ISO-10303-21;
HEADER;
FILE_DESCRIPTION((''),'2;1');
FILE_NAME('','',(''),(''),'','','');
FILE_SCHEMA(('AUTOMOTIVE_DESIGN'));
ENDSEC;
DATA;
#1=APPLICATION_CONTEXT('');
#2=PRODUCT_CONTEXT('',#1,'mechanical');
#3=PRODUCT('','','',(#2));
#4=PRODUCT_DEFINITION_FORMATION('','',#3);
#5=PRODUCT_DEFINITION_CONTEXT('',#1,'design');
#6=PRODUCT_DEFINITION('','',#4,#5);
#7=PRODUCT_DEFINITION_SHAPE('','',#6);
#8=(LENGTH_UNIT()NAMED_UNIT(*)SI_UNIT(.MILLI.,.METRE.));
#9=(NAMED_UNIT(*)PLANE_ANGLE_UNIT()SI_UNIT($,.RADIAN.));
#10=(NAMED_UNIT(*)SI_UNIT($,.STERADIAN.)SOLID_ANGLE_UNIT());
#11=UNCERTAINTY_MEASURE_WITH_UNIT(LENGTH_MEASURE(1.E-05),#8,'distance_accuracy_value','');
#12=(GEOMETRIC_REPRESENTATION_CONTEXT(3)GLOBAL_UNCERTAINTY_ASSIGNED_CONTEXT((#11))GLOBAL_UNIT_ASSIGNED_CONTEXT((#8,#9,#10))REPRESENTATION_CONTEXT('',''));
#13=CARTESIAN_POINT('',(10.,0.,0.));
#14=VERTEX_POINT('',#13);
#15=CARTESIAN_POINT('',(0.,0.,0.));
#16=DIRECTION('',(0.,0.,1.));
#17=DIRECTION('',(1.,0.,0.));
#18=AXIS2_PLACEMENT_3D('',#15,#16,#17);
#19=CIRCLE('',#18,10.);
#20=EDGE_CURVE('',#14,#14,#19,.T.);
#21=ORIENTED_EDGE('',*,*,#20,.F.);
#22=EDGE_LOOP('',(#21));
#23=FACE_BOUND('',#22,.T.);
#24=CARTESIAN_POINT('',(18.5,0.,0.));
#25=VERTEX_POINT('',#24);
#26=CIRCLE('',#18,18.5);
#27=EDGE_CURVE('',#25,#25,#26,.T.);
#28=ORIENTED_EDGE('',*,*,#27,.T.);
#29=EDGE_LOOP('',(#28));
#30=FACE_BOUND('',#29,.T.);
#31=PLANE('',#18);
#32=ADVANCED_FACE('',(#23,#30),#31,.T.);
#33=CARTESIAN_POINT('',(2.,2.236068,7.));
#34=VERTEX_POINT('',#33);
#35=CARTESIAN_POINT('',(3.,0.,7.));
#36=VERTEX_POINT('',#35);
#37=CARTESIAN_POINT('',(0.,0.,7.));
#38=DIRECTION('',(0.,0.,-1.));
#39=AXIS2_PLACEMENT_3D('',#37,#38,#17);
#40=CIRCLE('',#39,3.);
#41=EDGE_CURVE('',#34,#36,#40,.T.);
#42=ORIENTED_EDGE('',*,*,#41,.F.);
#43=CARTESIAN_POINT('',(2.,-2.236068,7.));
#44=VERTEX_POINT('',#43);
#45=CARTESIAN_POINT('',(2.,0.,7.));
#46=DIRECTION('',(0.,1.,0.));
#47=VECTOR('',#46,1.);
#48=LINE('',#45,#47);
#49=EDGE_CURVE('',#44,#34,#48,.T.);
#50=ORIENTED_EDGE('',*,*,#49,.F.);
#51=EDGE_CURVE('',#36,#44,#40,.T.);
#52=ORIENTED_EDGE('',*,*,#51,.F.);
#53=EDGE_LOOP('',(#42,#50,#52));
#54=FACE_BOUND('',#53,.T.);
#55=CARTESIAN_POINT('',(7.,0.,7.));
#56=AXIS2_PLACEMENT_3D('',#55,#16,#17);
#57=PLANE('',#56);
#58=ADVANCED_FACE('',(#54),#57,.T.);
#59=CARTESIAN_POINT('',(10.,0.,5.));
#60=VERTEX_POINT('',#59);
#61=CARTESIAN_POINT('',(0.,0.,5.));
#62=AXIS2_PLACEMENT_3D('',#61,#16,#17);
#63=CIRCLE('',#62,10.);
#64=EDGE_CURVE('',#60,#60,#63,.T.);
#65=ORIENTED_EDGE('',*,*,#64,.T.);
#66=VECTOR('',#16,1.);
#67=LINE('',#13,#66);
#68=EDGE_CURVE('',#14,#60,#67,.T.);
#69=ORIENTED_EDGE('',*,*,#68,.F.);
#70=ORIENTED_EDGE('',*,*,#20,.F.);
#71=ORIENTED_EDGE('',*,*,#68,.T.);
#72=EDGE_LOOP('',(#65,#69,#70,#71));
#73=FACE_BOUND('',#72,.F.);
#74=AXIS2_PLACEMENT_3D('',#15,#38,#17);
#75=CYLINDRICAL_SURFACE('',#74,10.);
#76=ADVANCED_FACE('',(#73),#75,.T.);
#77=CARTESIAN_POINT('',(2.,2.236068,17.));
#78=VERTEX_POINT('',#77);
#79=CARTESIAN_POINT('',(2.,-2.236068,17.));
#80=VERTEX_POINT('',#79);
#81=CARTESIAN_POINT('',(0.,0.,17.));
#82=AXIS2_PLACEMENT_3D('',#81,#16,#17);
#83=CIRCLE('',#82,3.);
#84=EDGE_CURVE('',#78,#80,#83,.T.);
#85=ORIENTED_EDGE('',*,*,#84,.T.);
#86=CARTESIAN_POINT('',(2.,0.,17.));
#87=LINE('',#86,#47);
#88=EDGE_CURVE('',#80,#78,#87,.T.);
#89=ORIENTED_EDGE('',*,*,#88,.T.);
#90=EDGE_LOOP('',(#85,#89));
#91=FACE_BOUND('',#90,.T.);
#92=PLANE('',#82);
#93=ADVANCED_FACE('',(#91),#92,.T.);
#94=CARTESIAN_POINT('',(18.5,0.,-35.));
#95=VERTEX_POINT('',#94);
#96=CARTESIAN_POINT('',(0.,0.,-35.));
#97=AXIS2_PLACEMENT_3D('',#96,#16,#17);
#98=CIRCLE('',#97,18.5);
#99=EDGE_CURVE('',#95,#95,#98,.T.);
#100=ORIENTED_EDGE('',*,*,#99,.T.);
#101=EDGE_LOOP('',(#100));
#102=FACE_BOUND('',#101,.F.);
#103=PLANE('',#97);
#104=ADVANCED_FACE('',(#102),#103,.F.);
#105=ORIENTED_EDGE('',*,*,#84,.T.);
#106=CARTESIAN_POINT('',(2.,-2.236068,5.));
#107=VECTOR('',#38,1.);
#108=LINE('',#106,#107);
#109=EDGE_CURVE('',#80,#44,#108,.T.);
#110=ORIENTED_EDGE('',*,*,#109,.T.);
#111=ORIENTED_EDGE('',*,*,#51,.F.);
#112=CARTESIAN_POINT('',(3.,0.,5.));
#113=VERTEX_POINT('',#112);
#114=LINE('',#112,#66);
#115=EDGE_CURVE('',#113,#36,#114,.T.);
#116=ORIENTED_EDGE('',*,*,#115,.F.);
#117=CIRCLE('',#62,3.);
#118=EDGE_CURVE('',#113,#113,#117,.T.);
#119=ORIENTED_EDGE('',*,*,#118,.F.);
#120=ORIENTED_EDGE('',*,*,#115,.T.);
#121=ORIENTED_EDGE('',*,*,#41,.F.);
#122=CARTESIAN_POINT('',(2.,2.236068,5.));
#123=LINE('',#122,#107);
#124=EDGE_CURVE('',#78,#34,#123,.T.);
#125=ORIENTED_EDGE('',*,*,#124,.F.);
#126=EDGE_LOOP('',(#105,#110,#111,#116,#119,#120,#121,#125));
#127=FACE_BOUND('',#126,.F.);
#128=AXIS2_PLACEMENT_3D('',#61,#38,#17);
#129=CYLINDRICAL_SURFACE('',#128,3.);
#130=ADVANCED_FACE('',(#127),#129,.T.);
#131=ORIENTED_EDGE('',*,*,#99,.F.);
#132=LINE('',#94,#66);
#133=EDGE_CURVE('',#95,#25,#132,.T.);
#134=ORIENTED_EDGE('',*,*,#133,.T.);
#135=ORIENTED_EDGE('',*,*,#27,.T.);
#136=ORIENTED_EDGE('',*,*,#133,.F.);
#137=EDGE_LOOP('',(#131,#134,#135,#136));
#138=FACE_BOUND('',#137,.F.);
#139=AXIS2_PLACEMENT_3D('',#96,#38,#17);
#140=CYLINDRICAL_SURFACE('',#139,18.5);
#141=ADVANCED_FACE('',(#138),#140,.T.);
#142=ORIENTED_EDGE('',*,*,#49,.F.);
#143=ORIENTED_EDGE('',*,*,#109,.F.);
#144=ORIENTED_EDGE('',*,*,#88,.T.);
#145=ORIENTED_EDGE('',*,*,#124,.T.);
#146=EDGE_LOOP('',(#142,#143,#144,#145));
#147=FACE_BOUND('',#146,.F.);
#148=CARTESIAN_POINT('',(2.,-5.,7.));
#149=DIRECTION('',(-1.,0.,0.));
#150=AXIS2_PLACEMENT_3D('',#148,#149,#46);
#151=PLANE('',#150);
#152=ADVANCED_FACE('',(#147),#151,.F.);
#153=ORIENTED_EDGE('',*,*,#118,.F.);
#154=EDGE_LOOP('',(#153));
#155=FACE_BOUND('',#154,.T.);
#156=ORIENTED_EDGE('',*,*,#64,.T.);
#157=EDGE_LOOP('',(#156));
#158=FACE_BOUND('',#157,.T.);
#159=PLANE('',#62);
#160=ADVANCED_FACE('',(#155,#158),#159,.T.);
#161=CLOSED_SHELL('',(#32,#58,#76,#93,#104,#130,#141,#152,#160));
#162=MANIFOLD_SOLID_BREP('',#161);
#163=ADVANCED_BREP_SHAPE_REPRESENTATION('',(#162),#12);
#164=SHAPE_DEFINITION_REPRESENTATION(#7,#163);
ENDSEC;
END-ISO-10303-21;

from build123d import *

# Parameters (mm, degrees)
BOX_W             = 10
BOX_H             = 10
BOX_DEPTH         = 10
CYLINDER001_R     = 10
CYLINDER001_DEPTH = 5
CYLINDER002_R     = 3
CYLINDER002_DEPTH = 12
CYLINDER_R        = 18.5
CYLINDER_DEPTH    = 35


with BuildPart() as cube:
    # Box → Box (new body)
    with BuildSketch(Plane(origin=(2, -5, 7), x_dir=(1, 0, 0), z_dir=(0, 0, 1))):
        with Locations((5, 5)):
            Rectangle(BOX_W, BOX_H)
    extrude(amount=BOX_DEPTH)


with BuildPart() as cylinder001:
    # Cylinder001 → Cylinder001 (new body)
    with BuildSketch(Plane.XY):
        Circle(CYLINDER001_R)
    extrude(amount=CYLINDER001_DEPTH)


with BuildPart() as cylinder002:
    # Cylinder002 → Cylinder002 (new body)
    with BuildSketch(Plane.XY.offset(5)):
        Circle(CYLINDER002_R)
    extrude(amount=CYLINDER002_DEPTH)


with BuildPart() as cut:
    # Cylinder → Cylinder (new body)
    with BuildSketch(Plane.XY.offset(-35)):
        Circle(CYLINDER_R)
    extrude(amount=CYLINDER_DEPTH)

    # Fusion: union Cylinder001, Cylinder002
    add(cylinder001.part)
    add(cylinder002.part)

    # Cut: cut Cube
    add(cube.part, mode=Mode.SUBTRACT)


solid = cut.part
